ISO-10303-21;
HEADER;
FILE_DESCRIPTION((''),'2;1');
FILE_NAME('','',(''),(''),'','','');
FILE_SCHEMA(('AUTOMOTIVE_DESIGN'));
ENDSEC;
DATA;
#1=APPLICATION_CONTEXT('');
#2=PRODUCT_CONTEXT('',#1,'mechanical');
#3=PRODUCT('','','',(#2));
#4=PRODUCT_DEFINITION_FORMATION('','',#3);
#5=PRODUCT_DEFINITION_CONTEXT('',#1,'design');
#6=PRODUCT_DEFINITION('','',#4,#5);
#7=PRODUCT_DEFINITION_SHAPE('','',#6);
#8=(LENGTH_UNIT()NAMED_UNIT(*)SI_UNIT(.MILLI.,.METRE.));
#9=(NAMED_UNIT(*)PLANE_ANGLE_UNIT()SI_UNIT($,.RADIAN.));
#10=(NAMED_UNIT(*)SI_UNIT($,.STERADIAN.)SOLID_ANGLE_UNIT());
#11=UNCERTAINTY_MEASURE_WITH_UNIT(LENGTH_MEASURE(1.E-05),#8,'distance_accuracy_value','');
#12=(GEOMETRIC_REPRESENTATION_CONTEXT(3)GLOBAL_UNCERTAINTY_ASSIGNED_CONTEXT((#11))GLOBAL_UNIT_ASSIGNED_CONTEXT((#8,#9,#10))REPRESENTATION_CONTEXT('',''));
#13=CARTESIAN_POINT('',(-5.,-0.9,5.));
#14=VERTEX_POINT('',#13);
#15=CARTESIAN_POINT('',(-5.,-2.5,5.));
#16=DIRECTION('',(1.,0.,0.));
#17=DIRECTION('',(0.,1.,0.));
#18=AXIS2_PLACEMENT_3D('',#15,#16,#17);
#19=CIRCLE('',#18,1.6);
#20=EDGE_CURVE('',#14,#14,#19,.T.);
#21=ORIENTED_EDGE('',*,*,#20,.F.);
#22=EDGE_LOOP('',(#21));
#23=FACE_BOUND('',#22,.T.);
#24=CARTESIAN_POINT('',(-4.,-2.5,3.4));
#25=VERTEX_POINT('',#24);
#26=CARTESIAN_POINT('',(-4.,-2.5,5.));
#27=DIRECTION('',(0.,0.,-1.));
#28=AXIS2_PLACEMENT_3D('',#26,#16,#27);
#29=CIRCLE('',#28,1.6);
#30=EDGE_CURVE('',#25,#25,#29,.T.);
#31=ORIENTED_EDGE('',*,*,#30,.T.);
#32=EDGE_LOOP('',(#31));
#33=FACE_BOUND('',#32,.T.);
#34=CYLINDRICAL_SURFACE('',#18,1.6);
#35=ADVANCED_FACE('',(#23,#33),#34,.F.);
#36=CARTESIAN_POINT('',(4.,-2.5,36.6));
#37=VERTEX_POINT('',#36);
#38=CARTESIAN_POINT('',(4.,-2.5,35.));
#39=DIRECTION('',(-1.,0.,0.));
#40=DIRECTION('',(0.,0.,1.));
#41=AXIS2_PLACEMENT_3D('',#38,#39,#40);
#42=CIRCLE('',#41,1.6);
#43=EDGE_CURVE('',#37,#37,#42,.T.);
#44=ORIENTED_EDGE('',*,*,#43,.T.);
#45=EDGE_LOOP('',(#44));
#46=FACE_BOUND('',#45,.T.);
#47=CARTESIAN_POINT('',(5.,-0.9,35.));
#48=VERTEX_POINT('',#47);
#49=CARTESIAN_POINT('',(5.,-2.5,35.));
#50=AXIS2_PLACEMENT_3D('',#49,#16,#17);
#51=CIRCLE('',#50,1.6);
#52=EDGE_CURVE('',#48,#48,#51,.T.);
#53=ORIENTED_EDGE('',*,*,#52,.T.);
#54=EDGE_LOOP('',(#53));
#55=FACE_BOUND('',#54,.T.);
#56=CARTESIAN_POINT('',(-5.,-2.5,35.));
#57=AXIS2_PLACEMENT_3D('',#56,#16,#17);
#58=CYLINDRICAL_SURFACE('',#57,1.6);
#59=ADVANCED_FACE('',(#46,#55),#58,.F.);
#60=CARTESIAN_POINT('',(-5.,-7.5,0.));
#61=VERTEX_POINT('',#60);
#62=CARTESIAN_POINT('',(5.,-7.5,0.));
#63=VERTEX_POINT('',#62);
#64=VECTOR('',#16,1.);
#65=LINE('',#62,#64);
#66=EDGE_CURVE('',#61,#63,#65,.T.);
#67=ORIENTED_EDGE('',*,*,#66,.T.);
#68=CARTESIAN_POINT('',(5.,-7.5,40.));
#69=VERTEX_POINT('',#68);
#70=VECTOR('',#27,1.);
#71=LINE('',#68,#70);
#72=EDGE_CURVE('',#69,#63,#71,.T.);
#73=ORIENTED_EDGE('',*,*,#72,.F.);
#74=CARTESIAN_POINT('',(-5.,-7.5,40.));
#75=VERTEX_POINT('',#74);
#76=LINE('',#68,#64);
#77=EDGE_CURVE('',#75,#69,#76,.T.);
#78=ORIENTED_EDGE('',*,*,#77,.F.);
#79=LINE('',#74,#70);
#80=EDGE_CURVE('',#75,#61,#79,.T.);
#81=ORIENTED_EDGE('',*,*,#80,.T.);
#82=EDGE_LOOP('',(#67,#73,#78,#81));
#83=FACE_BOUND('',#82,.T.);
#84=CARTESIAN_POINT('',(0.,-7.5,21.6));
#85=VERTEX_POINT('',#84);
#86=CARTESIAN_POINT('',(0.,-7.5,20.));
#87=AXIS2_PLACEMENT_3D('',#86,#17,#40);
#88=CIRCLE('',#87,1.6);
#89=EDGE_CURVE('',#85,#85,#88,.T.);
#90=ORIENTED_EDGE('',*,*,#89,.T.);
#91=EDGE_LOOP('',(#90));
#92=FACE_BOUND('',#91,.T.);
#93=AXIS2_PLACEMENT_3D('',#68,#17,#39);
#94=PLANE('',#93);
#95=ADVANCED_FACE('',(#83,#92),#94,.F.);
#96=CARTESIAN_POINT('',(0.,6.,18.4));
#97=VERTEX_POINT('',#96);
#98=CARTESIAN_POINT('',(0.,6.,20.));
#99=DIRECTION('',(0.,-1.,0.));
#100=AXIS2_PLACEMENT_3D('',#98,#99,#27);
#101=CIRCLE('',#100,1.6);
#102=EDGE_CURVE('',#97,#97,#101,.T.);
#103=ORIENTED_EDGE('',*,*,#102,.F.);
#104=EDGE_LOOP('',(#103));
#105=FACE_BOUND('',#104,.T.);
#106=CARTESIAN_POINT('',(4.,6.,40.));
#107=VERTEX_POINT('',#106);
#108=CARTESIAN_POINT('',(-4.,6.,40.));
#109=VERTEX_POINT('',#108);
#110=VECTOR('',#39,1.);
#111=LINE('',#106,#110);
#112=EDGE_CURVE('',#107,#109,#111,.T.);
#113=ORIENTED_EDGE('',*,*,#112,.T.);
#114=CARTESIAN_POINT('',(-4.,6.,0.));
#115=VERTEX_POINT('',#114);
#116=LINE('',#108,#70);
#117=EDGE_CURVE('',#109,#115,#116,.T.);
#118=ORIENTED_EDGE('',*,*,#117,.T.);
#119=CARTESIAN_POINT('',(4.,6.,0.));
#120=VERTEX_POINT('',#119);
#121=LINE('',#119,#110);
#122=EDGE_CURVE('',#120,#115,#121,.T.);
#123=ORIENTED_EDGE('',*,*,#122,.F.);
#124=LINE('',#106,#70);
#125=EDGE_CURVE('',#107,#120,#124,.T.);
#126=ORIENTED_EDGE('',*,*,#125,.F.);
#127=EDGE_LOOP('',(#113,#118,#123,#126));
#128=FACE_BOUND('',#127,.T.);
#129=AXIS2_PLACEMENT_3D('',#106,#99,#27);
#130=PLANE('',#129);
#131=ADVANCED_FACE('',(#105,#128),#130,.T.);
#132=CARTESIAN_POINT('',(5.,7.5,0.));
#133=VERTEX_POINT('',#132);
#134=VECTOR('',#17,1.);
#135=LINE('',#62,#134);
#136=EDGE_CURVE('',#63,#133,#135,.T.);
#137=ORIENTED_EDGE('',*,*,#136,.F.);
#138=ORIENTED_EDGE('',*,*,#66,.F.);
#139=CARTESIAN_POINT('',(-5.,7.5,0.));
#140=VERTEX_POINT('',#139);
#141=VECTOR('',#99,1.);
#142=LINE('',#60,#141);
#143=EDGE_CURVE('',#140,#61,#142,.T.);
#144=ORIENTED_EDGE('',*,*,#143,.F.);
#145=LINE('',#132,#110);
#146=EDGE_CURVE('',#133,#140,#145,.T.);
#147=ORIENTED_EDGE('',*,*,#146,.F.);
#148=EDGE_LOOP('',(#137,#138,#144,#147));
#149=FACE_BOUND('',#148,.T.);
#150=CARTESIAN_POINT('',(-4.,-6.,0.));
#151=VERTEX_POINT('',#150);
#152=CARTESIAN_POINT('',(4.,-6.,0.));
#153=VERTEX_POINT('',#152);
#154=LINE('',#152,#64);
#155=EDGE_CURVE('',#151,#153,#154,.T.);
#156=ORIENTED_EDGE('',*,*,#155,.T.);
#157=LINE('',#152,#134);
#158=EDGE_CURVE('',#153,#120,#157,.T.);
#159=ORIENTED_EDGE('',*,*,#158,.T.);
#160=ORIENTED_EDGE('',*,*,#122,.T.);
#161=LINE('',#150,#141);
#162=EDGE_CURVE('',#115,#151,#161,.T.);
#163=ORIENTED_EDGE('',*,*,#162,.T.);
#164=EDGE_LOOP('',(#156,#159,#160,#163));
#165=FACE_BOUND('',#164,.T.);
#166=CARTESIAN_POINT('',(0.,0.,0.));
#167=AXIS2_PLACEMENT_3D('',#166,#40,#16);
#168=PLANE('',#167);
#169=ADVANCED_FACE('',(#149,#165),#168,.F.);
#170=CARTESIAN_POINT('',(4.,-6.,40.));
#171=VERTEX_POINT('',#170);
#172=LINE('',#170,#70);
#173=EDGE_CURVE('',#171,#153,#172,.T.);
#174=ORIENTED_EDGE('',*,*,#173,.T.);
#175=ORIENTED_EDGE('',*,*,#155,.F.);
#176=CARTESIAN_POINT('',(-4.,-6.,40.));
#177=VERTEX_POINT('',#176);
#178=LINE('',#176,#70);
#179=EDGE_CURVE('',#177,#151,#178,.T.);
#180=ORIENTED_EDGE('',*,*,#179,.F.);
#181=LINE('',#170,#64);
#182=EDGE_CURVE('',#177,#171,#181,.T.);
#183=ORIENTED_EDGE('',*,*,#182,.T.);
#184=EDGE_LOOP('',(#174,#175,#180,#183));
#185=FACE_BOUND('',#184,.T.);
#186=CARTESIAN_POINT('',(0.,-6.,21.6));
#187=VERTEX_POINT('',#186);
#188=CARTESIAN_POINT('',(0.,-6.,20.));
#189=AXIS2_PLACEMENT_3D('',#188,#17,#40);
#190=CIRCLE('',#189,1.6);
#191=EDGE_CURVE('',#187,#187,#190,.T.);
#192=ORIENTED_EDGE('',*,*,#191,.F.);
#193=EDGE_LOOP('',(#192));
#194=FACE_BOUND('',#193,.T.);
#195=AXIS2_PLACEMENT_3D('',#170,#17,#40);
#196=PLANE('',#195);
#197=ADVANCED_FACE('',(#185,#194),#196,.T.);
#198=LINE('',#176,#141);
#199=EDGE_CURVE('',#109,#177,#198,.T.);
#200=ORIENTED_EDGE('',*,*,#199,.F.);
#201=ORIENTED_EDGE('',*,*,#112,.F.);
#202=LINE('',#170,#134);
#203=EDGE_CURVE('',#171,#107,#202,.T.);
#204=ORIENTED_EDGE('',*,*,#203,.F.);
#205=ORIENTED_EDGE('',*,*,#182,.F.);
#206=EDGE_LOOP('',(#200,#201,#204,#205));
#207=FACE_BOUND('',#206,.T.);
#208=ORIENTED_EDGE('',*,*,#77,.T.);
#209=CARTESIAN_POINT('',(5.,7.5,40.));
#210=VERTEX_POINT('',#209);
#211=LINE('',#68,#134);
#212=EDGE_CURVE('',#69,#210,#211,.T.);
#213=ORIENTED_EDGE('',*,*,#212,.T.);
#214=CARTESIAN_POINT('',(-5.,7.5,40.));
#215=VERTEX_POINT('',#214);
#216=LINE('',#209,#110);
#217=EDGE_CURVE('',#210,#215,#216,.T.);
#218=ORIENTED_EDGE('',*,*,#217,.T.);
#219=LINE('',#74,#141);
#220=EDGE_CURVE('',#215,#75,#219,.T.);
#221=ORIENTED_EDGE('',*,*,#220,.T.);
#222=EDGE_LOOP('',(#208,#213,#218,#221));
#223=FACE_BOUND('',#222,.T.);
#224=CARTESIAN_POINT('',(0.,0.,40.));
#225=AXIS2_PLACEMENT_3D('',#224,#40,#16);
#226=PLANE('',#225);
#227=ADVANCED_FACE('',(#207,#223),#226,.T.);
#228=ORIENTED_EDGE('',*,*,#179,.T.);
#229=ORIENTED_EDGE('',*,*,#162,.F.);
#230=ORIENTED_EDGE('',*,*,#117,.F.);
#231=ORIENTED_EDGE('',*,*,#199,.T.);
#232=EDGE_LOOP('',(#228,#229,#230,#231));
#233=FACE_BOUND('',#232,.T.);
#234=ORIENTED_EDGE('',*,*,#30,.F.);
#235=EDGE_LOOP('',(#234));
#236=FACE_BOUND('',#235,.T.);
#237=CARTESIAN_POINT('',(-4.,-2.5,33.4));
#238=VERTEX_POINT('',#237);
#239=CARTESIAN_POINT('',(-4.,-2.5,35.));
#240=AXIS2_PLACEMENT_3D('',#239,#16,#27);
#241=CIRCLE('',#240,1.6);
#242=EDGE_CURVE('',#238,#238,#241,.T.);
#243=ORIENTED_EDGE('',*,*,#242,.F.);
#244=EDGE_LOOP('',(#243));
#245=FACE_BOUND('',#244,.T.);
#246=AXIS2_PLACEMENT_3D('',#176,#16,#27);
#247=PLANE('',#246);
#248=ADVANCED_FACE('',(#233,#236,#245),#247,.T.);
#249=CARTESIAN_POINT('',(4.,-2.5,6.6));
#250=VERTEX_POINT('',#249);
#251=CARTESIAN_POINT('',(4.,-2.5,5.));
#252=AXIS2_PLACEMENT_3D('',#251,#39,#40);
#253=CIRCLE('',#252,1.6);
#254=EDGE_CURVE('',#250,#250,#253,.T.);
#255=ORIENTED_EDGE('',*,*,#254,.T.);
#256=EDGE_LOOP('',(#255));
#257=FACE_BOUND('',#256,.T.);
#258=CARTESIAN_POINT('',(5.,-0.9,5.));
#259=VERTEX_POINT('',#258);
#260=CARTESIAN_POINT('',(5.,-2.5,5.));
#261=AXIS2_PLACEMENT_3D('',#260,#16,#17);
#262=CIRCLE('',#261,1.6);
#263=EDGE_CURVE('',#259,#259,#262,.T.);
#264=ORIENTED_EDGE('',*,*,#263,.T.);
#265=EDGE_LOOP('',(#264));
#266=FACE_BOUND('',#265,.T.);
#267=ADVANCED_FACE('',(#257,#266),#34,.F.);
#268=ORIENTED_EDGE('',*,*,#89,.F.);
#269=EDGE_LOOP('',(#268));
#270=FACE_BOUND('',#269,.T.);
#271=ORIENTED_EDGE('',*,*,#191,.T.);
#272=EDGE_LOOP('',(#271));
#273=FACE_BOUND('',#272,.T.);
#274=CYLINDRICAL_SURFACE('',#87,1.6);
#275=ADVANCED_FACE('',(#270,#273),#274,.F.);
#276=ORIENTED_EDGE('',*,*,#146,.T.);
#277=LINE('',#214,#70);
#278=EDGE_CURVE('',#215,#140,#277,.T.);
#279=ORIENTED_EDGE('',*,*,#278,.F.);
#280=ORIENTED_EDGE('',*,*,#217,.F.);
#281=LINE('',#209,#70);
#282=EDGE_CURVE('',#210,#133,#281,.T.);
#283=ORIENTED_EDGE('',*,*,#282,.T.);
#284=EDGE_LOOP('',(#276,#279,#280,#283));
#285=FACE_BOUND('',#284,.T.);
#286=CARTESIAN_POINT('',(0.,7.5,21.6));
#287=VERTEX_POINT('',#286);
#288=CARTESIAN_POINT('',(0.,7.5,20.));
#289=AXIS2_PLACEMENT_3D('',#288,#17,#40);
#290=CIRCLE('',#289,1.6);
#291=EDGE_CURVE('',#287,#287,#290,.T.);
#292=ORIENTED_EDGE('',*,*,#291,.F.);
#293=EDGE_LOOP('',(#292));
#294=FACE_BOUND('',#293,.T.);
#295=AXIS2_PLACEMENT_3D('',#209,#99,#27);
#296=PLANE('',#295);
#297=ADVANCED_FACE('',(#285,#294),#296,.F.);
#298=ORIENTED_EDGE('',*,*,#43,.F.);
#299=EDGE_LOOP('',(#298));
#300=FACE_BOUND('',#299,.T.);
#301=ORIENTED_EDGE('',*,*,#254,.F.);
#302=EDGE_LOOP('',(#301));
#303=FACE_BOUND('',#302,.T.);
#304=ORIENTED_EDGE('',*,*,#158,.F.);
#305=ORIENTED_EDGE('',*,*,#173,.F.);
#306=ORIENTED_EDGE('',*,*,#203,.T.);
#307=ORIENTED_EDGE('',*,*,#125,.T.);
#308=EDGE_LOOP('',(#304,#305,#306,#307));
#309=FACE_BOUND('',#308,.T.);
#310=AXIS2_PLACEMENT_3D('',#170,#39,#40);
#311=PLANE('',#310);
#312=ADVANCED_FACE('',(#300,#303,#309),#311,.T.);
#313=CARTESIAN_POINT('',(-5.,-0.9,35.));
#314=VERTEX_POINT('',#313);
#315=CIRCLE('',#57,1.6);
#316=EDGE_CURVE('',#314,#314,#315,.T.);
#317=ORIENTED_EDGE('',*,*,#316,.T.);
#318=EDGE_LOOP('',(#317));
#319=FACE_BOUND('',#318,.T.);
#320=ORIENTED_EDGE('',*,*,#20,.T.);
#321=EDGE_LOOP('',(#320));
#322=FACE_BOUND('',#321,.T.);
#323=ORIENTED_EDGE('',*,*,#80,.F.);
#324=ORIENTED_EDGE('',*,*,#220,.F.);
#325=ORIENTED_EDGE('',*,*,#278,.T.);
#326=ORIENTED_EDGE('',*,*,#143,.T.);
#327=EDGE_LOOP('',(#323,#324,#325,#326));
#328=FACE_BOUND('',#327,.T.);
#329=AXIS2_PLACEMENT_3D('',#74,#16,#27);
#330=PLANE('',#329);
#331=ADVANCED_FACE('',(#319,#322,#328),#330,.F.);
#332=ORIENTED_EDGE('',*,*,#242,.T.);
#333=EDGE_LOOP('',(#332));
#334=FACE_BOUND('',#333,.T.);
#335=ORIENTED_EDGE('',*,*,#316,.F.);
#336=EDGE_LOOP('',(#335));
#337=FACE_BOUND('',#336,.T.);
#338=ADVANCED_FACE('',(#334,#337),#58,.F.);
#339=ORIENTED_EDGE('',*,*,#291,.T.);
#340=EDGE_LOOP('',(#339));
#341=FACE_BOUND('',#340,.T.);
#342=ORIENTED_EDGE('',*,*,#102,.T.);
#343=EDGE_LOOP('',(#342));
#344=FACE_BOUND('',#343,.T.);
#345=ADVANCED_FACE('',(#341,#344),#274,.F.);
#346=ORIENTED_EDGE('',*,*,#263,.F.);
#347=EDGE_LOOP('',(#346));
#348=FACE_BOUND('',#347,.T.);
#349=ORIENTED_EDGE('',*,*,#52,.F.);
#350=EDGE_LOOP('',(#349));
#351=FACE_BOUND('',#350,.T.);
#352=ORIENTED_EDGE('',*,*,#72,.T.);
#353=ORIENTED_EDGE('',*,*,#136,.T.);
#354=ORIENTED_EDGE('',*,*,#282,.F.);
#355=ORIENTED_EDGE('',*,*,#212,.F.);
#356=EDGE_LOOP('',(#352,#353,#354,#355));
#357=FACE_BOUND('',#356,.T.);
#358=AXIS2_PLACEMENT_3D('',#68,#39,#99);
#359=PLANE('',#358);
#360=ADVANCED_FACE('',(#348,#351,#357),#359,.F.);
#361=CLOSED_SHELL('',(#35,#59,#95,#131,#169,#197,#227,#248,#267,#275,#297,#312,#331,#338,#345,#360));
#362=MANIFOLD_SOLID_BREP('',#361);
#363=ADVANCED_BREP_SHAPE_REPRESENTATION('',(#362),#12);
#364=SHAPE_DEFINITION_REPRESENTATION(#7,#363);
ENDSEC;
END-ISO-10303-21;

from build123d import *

# Parameters (mm, degrees)
SKETCH_1_W          = 10
SKETCH_1_H          = 15
SKETCH_1_W_2        = 8
SKETCH_1_H_2        = 12
EXTRUDE_1_DEPTH     = 40
SKETCH_2_R          = 1.6
CUT_EXTRUDE_1_DEPTH = 44.011626335
SKETCH_3_R          = 1.6
CUT_EXTRUDE_2_DEPTH = 42.907636536


with BuildPart() as part:
    # ｽｹｯﾁ1 → ﾎﾞｽ - 押し出し1 (new body)
    with BuildSketch(Plane.XY):
        Rectangle(SKETCH_1_W, SKETCH_1_H)
        Rectangle(SKETCH_1_W_2, SKETCH_1_H_2, mode=Mode.SUBTRACT)
    extrude(amount=EXTRUDE_1_DEPTH)

    # ｽｹｯﾁ2 → ｶｯﾄ - 押し出し1 (cut, through all)
    with BuildSketch(Plane(origin=(0, 7.5, 0), x_dir=(1, 0, 0), z_dir=(0, 1, 0))):
        with Locations(Location((0, -20, 0), (0, 0, 270))):
            Circle(SKETCH_2_R)
    extrude(amount=-CUT_EXTRUDE_1_DEPTH, mode=Mode.SUBTRACT)

    # ｽｹｯﾁ3 → ｶｯﾄ - 押し出し2 (cut, through all)
    with BuildSketch(Plane(origin=(5, 0, 0), x_dir=(0, 0, -1), z_dir=(1, 0, 0))):
        with Locations(Location((-35, -2.5, 0), (0, 0, 90))):
            Circle(SKETCH_3_R)
        with Locations(Location((-5, -2.5, 0), (0, 0, 90))):
            Circle(SKETCH_3_R)
    extrude(amount=-CUT_EXTRUDE_2_DEPTH, mode=Mode.SUBTRACT)


solid = part.part
